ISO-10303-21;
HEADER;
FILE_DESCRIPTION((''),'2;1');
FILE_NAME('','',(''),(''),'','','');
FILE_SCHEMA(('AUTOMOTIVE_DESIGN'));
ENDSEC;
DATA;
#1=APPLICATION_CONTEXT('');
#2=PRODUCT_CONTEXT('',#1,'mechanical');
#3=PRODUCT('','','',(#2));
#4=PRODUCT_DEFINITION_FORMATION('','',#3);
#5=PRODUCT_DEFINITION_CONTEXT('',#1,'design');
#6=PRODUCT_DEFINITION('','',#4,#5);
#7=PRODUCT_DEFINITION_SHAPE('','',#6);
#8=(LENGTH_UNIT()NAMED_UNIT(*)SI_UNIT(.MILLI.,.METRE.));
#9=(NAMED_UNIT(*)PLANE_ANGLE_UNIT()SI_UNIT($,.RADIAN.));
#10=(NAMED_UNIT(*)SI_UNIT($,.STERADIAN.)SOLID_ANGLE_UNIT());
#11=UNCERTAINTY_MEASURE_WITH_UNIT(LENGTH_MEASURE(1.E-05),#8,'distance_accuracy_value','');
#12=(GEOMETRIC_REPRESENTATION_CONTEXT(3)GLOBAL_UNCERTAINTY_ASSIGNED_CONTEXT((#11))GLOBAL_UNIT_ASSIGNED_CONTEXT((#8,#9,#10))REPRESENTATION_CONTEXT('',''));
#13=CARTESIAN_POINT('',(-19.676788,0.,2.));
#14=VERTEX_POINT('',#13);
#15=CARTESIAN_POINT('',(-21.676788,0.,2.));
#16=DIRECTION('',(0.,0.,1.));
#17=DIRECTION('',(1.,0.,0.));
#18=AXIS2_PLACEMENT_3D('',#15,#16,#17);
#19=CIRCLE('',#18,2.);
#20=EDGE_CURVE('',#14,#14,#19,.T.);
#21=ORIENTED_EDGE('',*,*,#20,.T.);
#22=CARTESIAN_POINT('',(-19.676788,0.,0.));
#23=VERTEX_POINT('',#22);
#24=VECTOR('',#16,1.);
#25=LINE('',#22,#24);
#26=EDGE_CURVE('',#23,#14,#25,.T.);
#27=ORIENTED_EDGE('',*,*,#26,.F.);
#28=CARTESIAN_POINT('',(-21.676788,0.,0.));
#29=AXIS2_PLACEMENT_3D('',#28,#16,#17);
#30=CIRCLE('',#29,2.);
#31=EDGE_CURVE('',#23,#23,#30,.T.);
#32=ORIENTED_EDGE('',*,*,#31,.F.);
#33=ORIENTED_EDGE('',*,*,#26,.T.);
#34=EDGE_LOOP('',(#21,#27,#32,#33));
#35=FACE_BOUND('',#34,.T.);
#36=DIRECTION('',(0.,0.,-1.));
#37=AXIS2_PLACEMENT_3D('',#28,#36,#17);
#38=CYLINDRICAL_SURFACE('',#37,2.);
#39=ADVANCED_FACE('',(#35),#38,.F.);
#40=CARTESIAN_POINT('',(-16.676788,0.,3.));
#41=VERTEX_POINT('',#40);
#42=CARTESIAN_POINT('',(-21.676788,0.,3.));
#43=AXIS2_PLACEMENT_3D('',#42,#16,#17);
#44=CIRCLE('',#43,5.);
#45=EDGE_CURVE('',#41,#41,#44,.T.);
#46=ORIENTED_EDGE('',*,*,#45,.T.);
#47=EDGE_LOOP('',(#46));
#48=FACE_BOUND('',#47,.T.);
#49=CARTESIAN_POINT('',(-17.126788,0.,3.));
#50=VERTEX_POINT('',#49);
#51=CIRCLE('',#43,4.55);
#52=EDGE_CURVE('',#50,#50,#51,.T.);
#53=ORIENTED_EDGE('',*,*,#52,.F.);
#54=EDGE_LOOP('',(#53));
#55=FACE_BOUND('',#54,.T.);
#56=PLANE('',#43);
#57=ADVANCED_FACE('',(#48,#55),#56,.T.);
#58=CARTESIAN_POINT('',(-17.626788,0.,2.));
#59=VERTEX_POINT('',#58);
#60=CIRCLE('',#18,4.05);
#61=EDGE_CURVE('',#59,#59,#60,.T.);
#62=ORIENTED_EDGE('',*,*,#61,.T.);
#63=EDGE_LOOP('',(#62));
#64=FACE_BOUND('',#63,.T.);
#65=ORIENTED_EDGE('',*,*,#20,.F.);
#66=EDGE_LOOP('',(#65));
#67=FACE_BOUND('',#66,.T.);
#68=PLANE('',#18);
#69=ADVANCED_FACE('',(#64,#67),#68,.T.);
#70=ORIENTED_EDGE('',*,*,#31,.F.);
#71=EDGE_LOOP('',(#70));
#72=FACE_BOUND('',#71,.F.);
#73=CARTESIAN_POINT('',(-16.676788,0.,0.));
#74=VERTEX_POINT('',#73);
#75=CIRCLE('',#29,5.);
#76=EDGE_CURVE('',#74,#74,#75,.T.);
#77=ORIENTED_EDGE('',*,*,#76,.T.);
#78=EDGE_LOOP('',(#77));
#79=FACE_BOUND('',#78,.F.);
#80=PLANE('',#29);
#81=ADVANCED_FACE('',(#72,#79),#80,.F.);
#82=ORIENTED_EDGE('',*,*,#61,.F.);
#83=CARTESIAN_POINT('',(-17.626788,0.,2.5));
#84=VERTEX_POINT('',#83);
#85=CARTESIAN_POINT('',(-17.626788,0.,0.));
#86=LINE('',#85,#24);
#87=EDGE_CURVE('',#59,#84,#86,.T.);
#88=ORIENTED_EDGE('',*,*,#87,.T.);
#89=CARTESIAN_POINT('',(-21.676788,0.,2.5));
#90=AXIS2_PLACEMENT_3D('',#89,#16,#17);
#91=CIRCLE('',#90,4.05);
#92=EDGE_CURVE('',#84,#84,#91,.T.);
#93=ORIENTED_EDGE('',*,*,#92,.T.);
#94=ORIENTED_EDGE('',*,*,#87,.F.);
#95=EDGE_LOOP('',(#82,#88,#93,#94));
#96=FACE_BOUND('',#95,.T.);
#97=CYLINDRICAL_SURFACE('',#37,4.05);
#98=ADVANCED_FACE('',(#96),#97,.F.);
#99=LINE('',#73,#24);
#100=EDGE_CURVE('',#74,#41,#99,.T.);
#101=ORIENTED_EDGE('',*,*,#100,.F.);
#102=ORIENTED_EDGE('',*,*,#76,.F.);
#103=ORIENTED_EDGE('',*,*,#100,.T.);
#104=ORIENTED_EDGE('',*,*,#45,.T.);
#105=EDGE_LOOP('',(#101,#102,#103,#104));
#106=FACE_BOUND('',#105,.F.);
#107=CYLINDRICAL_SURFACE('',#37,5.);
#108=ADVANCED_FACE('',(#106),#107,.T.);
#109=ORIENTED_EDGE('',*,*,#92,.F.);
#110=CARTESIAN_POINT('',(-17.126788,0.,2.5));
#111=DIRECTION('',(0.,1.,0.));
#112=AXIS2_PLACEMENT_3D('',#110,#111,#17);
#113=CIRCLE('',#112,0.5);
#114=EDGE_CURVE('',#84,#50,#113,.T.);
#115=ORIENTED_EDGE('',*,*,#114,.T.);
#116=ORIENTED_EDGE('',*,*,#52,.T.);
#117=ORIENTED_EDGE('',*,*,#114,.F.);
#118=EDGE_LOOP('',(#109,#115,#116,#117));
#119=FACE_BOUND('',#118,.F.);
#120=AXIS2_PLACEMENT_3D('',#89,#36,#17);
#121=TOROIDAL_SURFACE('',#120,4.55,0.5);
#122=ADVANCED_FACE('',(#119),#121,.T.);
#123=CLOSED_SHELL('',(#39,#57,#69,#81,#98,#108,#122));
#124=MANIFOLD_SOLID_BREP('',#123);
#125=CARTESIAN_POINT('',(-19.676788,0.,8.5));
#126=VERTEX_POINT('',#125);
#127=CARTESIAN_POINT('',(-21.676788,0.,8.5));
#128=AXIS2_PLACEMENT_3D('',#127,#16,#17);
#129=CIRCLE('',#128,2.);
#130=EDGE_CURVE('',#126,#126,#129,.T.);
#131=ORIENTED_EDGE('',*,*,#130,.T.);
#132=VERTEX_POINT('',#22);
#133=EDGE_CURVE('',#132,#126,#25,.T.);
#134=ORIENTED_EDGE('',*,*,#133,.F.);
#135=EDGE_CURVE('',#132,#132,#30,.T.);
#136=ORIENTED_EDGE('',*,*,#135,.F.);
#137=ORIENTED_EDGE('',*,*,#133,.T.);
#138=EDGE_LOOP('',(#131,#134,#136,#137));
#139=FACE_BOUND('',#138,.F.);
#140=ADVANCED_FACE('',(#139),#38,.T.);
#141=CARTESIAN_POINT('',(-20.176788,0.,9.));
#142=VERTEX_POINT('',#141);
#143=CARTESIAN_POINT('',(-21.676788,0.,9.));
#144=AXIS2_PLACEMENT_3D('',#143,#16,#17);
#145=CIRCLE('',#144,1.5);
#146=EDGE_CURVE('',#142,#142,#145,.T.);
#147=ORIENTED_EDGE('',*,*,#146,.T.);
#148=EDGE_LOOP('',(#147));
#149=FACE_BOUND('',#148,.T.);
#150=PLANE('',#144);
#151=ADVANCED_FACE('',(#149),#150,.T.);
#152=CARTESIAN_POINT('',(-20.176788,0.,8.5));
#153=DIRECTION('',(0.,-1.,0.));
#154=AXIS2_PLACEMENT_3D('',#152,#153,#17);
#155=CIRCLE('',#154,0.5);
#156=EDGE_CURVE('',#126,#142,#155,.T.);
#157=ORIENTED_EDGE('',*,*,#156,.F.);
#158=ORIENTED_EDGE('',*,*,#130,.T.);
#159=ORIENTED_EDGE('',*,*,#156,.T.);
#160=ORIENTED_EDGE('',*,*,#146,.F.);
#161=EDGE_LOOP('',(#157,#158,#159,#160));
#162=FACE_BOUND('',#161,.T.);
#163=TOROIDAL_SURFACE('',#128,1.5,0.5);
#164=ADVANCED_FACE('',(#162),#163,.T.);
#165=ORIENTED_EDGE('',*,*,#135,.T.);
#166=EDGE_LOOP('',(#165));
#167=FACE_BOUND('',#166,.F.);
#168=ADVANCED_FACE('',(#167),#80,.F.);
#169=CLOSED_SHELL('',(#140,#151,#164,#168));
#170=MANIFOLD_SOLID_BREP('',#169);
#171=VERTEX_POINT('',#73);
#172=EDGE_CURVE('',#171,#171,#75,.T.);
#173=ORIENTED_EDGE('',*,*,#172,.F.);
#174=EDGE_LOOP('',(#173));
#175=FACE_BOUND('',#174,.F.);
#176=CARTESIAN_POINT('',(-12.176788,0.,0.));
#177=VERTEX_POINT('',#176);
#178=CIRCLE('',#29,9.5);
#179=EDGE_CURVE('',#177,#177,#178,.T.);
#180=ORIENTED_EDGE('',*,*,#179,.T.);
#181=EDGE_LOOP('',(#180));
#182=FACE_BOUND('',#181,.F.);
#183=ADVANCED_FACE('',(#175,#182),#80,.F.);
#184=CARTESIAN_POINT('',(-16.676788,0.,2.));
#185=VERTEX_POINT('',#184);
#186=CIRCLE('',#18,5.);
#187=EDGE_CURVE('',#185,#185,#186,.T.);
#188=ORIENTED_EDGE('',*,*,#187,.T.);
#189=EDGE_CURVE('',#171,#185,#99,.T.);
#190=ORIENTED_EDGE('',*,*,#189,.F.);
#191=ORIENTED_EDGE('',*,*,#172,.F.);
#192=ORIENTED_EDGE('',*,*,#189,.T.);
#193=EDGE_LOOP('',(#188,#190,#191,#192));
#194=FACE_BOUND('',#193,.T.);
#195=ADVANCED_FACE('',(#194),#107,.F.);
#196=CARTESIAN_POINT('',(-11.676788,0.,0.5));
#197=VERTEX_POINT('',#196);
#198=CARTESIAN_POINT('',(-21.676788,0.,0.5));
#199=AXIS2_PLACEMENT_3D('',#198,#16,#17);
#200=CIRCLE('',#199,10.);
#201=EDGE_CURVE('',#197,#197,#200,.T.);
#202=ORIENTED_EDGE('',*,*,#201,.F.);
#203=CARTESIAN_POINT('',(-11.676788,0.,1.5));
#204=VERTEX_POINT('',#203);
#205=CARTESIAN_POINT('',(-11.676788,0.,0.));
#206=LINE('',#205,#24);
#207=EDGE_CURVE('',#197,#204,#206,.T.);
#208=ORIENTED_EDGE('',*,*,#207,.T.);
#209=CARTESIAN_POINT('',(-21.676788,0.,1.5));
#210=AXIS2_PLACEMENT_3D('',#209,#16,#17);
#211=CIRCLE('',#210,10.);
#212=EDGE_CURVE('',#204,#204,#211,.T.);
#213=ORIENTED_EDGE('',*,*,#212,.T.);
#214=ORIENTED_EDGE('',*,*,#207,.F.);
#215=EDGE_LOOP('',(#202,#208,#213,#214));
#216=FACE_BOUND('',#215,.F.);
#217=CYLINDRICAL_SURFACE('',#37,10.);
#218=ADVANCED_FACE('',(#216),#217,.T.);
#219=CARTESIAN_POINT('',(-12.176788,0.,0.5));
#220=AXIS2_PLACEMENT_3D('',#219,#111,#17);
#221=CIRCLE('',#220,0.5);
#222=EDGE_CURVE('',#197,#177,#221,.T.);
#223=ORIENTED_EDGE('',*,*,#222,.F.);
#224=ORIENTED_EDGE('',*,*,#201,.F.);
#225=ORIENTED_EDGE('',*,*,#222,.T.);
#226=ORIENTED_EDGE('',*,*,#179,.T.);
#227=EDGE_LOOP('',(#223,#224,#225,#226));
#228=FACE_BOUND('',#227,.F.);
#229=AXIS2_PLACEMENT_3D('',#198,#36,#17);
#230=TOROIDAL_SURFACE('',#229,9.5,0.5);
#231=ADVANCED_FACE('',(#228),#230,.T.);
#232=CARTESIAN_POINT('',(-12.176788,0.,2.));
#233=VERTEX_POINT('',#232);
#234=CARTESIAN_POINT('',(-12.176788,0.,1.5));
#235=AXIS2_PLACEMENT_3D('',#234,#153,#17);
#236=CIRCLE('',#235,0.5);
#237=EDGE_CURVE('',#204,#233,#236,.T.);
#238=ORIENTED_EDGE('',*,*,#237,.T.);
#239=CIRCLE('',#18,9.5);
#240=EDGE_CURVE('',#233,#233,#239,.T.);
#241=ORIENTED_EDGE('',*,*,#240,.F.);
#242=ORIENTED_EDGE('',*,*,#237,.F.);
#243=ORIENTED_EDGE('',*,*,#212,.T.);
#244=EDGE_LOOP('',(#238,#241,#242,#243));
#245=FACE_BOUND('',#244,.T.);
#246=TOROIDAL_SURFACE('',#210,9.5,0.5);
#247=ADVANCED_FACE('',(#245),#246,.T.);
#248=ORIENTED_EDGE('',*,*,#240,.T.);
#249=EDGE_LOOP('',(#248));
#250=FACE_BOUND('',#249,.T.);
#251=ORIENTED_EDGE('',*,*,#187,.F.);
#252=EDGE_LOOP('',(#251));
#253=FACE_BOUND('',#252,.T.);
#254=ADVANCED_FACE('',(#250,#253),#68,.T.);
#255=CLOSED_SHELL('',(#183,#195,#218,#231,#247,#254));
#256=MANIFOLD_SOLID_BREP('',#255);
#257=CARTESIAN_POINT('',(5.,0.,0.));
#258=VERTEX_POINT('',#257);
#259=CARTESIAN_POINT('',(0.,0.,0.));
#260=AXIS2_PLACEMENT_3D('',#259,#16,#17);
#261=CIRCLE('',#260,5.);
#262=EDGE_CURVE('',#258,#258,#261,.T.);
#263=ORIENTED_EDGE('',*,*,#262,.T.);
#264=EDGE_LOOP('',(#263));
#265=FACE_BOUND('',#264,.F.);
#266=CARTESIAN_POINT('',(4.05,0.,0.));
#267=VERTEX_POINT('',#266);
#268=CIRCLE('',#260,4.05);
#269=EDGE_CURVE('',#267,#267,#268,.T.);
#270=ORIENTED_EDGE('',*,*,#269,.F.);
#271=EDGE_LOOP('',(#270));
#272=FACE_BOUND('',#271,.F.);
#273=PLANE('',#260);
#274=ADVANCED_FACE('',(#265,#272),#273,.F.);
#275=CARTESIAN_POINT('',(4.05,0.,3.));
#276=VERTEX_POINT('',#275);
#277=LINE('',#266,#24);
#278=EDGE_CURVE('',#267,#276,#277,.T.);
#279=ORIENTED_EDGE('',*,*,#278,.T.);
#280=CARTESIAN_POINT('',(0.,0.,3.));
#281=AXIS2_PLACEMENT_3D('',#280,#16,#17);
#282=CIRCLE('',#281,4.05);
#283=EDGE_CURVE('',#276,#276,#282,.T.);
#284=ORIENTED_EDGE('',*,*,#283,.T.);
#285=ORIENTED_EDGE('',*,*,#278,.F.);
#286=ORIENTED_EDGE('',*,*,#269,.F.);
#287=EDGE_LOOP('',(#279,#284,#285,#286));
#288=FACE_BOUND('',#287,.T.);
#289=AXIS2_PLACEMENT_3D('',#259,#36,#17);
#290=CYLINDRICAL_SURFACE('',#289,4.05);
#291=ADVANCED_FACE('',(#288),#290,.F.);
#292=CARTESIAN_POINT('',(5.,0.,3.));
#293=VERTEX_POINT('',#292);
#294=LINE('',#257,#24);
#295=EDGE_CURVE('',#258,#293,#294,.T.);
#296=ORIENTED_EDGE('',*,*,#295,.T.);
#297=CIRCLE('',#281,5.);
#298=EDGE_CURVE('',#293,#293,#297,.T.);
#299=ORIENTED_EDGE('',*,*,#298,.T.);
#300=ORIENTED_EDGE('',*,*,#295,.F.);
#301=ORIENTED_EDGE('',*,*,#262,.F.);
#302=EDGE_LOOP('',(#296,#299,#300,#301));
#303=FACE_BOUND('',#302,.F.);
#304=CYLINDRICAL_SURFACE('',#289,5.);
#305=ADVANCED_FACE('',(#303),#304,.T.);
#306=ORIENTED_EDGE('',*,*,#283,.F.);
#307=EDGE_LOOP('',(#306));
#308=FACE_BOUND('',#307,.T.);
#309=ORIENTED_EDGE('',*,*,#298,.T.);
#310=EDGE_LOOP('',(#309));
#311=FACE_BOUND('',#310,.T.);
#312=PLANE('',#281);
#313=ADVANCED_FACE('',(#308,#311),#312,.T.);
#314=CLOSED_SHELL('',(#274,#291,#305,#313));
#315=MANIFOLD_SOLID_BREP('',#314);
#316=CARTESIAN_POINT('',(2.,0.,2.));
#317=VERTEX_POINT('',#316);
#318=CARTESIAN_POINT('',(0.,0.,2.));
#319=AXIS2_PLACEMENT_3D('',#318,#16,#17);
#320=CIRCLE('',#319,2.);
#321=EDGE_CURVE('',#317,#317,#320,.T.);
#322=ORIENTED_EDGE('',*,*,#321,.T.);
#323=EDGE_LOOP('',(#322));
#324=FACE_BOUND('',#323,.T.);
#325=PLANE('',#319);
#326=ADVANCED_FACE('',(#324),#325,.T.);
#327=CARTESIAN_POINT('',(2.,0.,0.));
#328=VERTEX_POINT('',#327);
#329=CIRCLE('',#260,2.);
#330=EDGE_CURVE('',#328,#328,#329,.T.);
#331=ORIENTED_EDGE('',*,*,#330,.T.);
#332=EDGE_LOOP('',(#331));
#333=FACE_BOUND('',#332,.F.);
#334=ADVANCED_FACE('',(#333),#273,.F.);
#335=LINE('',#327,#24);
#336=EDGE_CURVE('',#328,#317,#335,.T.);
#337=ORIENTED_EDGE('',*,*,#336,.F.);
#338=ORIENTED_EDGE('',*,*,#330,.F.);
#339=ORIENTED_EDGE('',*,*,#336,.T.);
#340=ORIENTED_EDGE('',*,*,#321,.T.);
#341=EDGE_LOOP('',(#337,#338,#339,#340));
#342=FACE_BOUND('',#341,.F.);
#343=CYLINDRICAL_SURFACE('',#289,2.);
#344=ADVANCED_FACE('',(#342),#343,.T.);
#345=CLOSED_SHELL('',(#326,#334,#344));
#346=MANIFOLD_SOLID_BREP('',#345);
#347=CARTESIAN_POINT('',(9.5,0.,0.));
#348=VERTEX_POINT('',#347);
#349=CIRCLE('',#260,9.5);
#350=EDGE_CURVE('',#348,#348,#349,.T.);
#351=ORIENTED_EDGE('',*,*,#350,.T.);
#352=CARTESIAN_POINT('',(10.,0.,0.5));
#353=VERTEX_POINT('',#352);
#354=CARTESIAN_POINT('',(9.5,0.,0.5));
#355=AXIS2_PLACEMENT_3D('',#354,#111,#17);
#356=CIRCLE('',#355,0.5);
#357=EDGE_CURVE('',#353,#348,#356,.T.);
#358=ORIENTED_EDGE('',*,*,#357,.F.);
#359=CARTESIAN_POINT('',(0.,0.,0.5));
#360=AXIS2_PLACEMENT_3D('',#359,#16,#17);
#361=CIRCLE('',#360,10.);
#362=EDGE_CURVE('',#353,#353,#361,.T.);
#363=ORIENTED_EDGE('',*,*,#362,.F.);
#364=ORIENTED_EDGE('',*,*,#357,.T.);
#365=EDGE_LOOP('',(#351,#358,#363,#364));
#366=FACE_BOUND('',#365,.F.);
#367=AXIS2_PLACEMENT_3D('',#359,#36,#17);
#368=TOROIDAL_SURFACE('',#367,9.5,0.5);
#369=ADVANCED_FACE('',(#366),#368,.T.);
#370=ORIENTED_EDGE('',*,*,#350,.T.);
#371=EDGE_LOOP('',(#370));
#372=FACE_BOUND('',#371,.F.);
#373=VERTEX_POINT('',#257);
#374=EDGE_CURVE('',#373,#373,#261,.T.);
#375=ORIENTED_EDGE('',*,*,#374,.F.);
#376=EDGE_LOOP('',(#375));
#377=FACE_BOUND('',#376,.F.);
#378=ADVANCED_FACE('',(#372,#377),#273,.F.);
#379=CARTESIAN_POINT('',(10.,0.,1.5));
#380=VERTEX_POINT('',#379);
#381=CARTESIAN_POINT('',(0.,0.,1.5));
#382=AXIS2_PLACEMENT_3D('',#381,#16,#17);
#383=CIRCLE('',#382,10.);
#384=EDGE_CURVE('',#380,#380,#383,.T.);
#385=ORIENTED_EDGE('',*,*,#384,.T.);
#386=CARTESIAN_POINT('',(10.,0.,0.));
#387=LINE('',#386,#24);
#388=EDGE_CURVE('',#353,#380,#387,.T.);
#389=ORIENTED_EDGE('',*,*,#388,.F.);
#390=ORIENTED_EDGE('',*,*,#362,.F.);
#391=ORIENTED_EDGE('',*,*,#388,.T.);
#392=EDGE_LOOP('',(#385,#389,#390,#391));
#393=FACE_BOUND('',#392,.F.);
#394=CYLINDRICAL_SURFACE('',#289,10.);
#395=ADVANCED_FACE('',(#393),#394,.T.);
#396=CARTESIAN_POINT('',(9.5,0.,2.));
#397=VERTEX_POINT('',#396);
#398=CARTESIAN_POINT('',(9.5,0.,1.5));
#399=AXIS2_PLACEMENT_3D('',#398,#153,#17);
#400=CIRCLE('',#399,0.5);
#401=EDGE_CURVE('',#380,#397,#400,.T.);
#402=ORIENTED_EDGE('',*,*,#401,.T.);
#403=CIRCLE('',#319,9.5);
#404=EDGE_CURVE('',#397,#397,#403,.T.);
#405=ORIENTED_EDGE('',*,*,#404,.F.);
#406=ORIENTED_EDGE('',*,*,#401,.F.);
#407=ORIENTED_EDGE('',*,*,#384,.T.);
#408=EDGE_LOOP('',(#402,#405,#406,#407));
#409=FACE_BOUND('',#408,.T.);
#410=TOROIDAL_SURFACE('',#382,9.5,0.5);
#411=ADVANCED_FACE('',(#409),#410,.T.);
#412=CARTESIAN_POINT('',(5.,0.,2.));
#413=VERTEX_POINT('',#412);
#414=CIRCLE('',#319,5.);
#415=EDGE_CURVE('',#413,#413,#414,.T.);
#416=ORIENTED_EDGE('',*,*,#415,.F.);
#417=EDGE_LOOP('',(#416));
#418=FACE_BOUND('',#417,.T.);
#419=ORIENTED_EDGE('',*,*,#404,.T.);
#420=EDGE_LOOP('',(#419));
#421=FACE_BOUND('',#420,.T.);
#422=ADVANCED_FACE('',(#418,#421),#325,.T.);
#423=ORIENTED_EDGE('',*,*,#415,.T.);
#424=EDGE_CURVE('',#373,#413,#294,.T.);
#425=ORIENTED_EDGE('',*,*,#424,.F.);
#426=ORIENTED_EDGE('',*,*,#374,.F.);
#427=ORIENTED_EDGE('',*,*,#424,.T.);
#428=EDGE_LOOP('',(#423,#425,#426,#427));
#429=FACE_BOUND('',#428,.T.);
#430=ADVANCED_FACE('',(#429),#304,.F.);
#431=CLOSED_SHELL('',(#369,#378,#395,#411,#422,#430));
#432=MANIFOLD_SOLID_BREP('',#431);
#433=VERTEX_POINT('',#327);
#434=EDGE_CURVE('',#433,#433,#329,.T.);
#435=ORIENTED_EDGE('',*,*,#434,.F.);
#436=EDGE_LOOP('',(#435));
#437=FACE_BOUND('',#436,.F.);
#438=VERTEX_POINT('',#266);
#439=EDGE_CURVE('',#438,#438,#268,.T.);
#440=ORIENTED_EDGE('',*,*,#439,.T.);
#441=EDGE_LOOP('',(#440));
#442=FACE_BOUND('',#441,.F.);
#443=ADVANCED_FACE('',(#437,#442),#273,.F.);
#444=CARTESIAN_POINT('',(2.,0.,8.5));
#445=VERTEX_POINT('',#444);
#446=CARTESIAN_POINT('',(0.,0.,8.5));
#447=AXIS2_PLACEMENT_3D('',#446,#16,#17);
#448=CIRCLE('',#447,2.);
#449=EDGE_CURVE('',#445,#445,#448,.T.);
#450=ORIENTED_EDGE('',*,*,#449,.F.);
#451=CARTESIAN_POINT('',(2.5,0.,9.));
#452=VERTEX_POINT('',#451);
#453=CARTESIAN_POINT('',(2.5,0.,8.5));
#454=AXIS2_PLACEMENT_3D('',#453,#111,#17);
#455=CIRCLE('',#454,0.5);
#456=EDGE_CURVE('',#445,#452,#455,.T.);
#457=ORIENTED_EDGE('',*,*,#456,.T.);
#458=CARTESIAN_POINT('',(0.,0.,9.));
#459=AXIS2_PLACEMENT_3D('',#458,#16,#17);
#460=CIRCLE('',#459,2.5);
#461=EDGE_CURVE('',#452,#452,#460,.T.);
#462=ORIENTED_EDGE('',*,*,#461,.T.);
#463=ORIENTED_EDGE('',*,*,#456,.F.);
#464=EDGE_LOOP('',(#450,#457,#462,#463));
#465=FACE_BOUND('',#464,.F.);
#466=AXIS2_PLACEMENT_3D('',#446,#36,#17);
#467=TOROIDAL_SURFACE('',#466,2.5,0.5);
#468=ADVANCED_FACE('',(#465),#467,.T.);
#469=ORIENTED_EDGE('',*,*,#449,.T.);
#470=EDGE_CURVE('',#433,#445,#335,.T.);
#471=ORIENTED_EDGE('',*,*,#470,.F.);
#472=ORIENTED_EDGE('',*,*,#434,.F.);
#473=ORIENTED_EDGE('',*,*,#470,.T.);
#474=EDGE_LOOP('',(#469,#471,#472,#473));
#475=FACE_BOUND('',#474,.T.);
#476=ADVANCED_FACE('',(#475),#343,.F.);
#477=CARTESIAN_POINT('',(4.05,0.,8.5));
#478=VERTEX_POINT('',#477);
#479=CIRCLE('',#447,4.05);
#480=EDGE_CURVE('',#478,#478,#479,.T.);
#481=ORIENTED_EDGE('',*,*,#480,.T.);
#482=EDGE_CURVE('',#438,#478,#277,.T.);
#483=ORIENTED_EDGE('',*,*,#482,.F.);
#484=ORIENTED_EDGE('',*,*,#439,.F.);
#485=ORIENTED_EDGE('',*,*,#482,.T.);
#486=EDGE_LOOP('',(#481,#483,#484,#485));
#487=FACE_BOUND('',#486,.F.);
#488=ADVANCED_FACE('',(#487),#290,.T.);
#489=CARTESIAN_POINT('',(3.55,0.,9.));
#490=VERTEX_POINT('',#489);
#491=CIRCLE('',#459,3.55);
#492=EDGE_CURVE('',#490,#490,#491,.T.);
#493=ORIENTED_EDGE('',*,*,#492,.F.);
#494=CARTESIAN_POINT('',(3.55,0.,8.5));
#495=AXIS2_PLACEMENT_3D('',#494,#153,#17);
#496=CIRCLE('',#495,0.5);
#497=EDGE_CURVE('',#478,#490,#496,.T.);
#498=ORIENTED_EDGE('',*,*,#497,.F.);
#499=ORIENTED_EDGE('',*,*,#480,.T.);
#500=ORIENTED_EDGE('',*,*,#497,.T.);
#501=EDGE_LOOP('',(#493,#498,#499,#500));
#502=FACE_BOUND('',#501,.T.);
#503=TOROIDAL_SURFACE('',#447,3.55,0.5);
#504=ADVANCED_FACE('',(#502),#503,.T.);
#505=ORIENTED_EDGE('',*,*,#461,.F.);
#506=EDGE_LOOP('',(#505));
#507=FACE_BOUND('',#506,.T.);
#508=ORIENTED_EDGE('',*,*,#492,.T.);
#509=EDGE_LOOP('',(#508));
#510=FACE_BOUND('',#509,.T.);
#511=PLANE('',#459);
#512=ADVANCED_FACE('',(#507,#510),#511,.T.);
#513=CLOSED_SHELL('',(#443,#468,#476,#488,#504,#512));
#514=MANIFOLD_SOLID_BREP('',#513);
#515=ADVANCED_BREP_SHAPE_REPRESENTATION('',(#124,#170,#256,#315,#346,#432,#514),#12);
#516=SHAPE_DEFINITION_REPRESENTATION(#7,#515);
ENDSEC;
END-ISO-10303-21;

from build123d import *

# Parameters (mm, degrees)
F1_R     = 10
F1_R_2   = 5
F0_R     = 10
F0_R_2   = 5
F2_DEPTH = 2
F0_R_3   = 4.05
F1_R_3   = 4.05
F3_DEPTH = 3
F1_R_4   = 2
F0_R_4   = 2
F4_DEPTH = 2
F5_DEPTH = 9
F6_R     = 0.5
F6_2_R   = 0.5
F6_3_R   = 0.5


with BuildPart() as f2:
    # F1 (on Top) + F0 (on Top) → F2 (new body)
    with BuildSketch(Plane.XY):
        with Locations((-21.676788, 0)):
            Circle(F1_R)
        with Locations((-21.676788, 0)):
            Circle(F1_R_2, mode=Mode.SUBTRACT)
    with BuildSketch(Plane.XY):
        Circle(F0_R)
        Circle(F0_R_2, mode=Mode.SUBTRACT)
    extrude(amount=F2_DEPTH)

    # F6
    f6_edges = [f2.edges().sort_by_distance(p)[0] for p in [
        (-31.676788, 0, 2),
        (-10, 0, 2),
        (-10, 0, 0),
        (-31.676788, 0, 0),
    ]]
    fillet(f6_edges, radius=F6_R)


with BuildPart() as f3:
    # F0 (on Top) + F1 (on Top) → F3 (new body)
    with BuildSketch(Plane.XY):
        Circle(F0_R_2)
        Circle(F0_R_3, mode=Mode.SUBTRACT)
    with BuildSketch(Plane.XY):
        with Locations((-21.676788, 0)):
            Circle(F1_R_2)
        with Locations((-21.676788, 0)):
            Circle(F1_R_3, mode=Mode.SUBTRACT)
    extrude(amount=F3_DEPTH)

    # F1 (on Top) + F0 (on Top) → F4 (join)
    with BuildSketch(Plane.XY):
        with Locations((-21.676788, 0)):
            Circle(F1_R_3)
        with Locations((-21.676788, 0)):
            Circle(F1_R_4, mode=Mode.SUBTRACT)
    with BuildSketch(Plane.XY):
        Circle(F0_R_4)
    extrude(amount=F4_DEPTH)

    # F6#3
    f6_3_edges = [f3.edges().sort_by_distance(p)[0] for p in [
        (-25.726788, 0, 3),
    ]]
    fillet(f6_3_edges, radius=F6_3_R)


with BuildPart() as f5:
    # F0 (on Top) + F1 (on Top) → F5 (new body)
    with BuildSketch(Plane.XY):
        Circle(F0_R_3)
        Circle(F0_R_4, mode=Mode.SUBTRACT)
    with BuildSketch(Plane.XY):
        with Locations((-21.676788, 0)):
            Circle(F1_R_4)
    extrude(amount=F5_DEPTH)

    # F6#2
    f6_2_edges = [f5.edges().sort_by_distance(p)[0] for p in [
        (-2, 0, 9),
        (-23.676788, 0, 9),
        (-4.05, 0, 9),
    ]]
    fillet(f6_2_edges, radius=F6_2_R)


solid = Compound([f2.part, f3.part, f5.part])
